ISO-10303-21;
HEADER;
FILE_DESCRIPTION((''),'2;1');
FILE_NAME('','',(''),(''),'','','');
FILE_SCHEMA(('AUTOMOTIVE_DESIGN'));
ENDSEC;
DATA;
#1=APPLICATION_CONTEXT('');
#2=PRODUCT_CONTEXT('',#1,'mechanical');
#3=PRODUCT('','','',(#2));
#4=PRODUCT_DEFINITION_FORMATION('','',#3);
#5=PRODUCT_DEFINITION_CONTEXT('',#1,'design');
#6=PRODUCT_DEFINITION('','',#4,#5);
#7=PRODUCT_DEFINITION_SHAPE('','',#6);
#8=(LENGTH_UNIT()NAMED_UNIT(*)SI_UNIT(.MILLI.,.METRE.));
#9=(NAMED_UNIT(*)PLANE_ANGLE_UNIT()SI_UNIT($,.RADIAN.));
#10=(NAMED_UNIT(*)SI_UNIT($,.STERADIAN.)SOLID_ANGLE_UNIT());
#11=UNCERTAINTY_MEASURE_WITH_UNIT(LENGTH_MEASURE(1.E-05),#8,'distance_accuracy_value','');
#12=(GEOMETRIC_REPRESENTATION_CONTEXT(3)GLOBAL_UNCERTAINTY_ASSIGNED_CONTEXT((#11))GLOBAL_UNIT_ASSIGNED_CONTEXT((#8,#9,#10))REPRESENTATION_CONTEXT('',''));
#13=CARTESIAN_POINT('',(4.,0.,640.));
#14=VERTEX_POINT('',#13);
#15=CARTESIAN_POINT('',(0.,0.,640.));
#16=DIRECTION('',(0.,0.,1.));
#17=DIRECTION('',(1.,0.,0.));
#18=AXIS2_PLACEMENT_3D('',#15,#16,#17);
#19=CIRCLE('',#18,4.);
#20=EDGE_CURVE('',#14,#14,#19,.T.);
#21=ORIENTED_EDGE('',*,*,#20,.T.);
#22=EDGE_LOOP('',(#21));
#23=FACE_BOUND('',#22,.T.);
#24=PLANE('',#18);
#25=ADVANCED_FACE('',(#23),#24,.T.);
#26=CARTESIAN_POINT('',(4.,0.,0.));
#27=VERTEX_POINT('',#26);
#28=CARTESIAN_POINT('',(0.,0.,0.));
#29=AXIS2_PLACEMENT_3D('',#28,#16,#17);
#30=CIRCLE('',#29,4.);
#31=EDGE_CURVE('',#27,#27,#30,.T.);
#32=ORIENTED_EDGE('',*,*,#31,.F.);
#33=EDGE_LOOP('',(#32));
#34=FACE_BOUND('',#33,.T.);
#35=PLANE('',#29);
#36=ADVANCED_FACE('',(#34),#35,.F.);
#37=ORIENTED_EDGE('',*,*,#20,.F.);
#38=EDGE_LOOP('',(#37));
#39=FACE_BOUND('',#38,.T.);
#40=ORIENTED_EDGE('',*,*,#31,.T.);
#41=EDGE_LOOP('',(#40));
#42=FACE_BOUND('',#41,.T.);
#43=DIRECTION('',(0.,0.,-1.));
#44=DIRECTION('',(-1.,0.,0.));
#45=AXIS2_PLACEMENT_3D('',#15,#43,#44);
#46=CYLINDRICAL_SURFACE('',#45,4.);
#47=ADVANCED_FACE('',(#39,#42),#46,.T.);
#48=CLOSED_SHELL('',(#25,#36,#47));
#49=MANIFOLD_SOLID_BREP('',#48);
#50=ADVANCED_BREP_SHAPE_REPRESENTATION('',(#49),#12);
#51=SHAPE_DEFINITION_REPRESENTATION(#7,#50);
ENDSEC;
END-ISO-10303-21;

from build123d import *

# Parameters (mm, degrees)
ESQUISSE1_R        = 4
BOSS_EXTRU_1_DEPTH = 640


with BuildPart() as part:
    # Esquisse1 → Boss.-Extru.1 (new body)
    with BuildSketch(Plane.XY):
        Circle(ESQUISSE1_R)
    extrude(amount=BOSS_EXTRU_1_DEPTH)


solid = part.part
